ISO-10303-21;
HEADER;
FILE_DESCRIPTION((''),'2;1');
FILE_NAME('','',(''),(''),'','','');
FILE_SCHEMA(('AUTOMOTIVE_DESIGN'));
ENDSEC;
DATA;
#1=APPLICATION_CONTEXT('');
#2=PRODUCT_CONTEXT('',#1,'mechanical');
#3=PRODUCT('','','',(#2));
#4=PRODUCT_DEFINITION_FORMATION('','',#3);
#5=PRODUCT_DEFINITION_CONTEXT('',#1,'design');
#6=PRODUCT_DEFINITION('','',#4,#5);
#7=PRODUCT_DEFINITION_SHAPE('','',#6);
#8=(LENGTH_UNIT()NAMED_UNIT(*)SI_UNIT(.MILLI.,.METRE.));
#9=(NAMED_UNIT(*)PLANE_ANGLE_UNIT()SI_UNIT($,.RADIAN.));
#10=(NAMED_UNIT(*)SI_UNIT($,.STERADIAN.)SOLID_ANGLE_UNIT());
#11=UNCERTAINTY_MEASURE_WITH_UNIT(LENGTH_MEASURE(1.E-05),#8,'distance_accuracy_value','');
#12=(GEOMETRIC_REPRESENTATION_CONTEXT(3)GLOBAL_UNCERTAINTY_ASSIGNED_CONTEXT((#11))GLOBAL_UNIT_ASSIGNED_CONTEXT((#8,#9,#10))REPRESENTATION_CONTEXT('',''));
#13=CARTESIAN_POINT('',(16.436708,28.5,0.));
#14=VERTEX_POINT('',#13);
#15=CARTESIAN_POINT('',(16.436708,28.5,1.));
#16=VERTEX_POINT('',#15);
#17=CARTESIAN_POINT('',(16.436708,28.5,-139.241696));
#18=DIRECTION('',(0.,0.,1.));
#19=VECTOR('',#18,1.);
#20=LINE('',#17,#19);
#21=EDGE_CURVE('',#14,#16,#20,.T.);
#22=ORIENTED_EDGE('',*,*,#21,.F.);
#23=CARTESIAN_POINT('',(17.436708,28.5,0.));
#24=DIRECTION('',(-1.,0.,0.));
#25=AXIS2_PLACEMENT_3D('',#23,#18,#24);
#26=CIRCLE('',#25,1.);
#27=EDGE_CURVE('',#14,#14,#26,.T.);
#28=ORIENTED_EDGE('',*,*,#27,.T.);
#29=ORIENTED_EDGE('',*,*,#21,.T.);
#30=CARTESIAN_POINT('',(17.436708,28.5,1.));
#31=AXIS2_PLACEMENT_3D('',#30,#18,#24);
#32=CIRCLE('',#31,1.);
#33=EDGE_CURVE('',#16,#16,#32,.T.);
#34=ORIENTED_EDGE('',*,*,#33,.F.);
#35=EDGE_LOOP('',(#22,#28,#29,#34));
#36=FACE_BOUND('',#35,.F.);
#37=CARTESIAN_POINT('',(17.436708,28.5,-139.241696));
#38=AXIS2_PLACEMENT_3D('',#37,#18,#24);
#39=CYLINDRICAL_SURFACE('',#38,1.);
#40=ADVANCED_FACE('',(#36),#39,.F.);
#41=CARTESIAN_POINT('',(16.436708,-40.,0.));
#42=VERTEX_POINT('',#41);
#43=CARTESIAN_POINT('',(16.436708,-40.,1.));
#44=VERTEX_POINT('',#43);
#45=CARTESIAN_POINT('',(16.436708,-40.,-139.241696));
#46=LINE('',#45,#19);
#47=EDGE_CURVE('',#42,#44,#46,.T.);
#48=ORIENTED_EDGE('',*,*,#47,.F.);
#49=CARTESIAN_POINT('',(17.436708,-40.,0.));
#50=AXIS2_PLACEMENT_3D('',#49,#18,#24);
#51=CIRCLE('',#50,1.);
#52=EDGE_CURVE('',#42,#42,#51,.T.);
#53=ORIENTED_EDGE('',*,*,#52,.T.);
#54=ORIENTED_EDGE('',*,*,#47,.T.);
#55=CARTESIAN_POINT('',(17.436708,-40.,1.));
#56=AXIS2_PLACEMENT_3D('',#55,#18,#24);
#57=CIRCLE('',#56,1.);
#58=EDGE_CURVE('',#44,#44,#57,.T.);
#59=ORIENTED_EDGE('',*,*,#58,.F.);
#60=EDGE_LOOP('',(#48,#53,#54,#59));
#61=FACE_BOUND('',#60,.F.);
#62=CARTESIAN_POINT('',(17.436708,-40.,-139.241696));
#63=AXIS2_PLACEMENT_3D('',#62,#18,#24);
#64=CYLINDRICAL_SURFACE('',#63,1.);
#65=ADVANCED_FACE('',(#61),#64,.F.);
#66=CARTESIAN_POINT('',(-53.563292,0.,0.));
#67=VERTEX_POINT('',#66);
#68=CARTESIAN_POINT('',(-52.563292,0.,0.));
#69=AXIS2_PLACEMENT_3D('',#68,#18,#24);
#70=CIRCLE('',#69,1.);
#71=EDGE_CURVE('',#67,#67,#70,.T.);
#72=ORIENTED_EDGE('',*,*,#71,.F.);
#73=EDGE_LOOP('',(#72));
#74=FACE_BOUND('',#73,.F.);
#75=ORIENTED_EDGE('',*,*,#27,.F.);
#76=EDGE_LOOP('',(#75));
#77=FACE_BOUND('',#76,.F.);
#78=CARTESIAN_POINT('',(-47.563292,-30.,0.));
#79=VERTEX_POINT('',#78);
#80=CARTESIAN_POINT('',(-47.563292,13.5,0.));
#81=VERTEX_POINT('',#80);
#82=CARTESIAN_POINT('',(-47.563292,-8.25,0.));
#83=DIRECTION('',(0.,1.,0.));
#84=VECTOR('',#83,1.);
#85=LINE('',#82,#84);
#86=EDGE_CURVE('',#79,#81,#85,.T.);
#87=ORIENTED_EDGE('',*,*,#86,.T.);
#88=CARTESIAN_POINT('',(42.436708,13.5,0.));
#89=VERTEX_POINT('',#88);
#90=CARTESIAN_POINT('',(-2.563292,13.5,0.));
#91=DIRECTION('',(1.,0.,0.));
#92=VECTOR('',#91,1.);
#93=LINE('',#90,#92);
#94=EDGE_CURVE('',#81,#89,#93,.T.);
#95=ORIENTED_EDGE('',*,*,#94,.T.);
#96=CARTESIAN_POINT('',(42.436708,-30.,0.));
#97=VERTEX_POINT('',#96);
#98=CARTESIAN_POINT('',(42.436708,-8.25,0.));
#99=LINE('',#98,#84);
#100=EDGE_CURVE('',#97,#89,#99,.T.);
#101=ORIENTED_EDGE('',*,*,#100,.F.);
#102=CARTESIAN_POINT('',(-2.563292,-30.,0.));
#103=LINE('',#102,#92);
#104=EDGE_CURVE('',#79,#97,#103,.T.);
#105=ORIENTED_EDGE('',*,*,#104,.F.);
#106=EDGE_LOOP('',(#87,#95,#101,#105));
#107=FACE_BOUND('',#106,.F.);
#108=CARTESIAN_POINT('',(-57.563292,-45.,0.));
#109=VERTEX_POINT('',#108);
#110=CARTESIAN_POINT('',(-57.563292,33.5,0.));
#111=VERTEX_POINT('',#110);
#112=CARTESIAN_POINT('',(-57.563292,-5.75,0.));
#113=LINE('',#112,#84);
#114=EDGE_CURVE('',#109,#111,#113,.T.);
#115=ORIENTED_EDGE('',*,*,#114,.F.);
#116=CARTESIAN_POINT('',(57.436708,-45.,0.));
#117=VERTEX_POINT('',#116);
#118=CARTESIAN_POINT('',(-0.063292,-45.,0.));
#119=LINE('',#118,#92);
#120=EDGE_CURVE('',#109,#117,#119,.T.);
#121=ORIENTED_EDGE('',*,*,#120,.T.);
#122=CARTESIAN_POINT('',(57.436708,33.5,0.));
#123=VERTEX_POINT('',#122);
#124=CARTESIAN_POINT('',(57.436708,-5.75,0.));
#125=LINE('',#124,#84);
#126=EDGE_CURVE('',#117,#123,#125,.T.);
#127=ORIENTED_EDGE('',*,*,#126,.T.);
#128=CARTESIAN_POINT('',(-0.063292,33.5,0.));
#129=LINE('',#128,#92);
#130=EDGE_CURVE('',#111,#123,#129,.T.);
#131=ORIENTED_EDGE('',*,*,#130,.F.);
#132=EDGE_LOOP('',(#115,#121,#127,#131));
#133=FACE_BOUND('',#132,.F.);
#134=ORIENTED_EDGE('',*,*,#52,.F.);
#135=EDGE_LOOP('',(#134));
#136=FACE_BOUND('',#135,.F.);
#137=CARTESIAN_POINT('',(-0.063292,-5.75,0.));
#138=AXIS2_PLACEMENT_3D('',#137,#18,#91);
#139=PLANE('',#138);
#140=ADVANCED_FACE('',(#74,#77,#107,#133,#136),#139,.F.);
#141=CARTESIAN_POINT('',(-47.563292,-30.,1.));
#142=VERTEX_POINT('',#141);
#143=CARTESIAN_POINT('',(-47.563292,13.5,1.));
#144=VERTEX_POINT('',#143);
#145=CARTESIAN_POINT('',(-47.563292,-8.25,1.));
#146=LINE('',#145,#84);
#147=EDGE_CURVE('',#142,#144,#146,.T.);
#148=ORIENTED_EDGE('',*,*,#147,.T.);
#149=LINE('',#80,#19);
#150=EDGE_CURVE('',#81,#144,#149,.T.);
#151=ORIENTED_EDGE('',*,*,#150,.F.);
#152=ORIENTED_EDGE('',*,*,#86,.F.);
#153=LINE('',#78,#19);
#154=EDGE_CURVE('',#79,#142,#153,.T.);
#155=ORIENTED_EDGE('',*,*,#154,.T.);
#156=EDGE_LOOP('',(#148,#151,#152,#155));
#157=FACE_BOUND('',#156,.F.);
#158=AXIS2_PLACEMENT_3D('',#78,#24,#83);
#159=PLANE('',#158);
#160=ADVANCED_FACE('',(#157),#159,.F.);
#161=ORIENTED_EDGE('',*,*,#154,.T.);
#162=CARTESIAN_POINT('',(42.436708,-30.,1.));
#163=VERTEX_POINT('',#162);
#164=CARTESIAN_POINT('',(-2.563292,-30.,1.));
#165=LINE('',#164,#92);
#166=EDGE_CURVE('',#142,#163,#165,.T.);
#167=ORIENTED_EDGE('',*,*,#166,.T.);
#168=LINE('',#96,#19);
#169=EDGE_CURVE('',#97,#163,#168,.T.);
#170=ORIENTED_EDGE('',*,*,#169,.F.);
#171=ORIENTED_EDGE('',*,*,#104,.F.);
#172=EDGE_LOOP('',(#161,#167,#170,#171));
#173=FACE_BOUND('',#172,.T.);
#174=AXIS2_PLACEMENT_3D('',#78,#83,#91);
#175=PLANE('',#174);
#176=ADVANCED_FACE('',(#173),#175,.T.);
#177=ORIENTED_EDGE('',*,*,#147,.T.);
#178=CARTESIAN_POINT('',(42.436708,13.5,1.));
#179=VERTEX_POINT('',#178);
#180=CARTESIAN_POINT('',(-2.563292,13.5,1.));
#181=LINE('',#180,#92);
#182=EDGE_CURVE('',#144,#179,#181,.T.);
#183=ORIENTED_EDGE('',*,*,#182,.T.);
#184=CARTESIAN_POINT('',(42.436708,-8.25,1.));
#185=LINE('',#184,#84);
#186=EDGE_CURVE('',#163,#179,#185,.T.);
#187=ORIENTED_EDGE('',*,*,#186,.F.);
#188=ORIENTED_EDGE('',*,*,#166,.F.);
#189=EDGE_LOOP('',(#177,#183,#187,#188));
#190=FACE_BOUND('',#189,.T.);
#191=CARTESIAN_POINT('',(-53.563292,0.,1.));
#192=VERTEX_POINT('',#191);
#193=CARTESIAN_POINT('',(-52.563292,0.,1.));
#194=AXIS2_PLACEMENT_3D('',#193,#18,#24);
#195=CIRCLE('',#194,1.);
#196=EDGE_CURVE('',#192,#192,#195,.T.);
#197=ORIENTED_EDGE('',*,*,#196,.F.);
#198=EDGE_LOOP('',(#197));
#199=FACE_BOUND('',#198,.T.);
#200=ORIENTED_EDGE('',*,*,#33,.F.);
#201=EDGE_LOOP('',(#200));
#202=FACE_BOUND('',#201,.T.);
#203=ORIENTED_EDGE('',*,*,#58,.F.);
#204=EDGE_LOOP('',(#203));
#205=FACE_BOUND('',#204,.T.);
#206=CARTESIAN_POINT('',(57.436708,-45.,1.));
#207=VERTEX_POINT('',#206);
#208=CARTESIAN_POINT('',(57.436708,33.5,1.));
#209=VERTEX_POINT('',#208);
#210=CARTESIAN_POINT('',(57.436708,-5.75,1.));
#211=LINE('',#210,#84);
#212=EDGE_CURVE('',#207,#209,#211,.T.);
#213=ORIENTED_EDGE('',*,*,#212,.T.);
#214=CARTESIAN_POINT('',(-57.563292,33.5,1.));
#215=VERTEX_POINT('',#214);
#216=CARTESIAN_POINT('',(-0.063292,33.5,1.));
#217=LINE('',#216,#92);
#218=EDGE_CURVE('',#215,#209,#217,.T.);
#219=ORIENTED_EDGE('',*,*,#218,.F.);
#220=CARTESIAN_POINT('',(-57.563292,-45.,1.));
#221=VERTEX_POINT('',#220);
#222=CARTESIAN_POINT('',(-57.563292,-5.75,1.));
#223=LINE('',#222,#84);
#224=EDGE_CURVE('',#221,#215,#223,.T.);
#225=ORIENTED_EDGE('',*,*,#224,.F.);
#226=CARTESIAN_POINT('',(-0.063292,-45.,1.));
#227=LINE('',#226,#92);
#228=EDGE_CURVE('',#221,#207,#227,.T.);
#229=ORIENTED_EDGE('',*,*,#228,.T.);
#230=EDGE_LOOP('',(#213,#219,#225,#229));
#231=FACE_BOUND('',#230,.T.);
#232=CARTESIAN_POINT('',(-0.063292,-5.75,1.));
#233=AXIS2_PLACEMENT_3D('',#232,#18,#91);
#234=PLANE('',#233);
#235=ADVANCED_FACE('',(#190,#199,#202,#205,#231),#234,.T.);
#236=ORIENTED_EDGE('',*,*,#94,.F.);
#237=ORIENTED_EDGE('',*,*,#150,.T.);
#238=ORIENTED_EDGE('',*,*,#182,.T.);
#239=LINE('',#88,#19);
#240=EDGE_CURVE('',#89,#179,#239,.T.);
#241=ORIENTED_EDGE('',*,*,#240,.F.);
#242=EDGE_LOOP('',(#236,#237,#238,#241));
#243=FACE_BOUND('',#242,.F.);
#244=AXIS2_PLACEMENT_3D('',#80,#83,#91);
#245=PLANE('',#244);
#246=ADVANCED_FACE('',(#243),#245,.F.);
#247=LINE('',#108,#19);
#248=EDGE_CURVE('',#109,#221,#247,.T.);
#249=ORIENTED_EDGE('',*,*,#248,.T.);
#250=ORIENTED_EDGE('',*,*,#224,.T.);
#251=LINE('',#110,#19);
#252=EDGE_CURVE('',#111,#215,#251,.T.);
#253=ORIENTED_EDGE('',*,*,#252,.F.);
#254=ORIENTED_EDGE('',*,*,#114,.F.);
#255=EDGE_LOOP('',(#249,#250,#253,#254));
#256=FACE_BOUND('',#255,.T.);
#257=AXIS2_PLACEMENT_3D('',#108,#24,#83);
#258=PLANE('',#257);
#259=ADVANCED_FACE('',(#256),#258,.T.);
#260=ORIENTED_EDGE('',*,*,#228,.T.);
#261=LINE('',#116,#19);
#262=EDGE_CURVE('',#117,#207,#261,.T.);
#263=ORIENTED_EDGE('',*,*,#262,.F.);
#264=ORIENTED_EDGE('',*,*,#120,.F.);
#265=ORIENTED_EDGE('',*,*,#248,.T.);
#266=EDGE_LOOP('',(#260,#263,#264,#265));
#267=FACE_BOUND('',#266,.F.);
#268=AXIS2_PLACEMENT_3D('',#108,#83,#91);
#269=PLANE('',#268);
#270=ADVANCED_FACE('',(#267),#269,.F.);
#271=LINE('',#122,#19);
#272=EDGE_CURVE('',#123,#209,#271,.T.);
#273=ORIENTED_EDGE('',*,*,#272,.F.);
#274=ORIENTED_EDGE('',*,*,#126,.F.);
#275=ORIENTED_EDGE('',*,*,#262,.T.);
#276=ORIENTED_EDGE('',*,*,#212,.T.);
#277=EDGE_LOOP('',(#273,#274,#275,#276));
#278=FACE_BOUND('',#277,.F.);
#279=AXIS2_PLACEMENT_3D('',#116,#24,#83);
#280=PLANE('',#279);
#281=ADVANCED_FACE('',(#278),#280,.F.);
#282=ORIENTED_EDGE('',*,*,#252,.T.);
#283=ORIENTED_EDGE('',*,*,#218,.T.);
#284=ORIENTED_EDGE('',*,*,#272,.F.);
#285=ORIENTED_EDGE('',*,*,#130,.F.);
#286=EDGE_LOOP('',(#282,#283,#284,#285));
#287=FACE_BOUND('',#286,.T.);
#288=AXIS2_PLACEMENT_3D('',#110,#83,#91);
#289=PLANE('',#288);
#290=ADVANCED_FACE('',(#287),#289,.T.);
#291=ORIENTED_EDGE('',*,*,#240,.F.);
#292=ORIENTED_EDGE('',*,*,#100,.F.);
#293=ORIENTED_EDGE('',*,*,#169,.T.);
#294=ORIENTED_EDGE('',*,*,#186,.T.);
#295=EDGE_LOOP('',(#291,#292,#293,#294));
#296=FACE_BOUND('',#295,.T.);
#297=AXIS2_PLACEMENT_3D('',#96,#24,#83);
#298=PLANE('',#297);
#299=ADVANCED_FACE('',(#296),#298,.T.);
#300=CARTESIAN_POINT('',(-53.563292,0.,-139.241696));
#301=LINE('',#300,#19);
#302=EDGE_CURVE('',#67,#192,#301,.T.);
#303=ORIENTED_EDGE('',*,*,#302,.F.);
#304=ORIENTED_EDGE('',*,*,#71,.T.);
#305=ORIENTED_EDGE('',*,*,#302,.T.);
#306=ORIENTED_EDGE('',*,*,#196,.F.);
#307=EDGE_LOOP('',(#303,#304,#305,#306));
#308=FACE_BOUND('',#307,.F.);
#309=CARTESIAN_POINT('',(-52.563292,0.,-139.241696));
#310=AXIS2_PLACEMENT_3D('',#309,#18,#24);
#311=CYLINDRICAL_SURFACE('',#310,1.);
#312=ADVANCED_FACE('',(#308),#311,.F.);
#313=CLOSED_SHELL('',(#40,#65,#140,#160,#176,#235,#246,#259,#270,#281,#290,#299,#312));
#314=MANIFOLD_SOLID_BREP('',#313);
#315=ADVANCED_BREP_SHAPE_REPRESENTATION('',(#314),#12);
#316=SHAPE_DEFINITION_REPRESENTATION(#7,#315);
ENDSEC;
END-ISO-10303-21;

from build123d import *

# Parameters (mm, degrees)
F0_W     = 115
F0_H     = 78.5
F0_W_2   = 90
F0_H_2   = 43.5
F1_DEPTH = 1
F2_D     = 2


with BuildPart() as f1:
    # F0 (on Top) → F1 (new body)
    with BuildSketch(Plane.XY):
        with Locations((-0.0632920861, -5.75)):
            Rectangle(F0_W, F0_H)
        with Locations((-2.5632920861, -8.25)):
            Rectangle(F0_W_2, F0_H_2, mode=Mode.SUBTRACT)
    extrude(amount=F1_DEPTH)

    # F2 (through all)
    with Locations(Plane(origin=(0, 0, 0), x_dir=(1, 0, 0), z_dir=(0, 0, -1))):
        with Locations((-52.5632920861, 0), (17.4367079139, -28.5), (17.4367079139, 40)):
            Hole(F2_D / 2)


solid = f1.part
